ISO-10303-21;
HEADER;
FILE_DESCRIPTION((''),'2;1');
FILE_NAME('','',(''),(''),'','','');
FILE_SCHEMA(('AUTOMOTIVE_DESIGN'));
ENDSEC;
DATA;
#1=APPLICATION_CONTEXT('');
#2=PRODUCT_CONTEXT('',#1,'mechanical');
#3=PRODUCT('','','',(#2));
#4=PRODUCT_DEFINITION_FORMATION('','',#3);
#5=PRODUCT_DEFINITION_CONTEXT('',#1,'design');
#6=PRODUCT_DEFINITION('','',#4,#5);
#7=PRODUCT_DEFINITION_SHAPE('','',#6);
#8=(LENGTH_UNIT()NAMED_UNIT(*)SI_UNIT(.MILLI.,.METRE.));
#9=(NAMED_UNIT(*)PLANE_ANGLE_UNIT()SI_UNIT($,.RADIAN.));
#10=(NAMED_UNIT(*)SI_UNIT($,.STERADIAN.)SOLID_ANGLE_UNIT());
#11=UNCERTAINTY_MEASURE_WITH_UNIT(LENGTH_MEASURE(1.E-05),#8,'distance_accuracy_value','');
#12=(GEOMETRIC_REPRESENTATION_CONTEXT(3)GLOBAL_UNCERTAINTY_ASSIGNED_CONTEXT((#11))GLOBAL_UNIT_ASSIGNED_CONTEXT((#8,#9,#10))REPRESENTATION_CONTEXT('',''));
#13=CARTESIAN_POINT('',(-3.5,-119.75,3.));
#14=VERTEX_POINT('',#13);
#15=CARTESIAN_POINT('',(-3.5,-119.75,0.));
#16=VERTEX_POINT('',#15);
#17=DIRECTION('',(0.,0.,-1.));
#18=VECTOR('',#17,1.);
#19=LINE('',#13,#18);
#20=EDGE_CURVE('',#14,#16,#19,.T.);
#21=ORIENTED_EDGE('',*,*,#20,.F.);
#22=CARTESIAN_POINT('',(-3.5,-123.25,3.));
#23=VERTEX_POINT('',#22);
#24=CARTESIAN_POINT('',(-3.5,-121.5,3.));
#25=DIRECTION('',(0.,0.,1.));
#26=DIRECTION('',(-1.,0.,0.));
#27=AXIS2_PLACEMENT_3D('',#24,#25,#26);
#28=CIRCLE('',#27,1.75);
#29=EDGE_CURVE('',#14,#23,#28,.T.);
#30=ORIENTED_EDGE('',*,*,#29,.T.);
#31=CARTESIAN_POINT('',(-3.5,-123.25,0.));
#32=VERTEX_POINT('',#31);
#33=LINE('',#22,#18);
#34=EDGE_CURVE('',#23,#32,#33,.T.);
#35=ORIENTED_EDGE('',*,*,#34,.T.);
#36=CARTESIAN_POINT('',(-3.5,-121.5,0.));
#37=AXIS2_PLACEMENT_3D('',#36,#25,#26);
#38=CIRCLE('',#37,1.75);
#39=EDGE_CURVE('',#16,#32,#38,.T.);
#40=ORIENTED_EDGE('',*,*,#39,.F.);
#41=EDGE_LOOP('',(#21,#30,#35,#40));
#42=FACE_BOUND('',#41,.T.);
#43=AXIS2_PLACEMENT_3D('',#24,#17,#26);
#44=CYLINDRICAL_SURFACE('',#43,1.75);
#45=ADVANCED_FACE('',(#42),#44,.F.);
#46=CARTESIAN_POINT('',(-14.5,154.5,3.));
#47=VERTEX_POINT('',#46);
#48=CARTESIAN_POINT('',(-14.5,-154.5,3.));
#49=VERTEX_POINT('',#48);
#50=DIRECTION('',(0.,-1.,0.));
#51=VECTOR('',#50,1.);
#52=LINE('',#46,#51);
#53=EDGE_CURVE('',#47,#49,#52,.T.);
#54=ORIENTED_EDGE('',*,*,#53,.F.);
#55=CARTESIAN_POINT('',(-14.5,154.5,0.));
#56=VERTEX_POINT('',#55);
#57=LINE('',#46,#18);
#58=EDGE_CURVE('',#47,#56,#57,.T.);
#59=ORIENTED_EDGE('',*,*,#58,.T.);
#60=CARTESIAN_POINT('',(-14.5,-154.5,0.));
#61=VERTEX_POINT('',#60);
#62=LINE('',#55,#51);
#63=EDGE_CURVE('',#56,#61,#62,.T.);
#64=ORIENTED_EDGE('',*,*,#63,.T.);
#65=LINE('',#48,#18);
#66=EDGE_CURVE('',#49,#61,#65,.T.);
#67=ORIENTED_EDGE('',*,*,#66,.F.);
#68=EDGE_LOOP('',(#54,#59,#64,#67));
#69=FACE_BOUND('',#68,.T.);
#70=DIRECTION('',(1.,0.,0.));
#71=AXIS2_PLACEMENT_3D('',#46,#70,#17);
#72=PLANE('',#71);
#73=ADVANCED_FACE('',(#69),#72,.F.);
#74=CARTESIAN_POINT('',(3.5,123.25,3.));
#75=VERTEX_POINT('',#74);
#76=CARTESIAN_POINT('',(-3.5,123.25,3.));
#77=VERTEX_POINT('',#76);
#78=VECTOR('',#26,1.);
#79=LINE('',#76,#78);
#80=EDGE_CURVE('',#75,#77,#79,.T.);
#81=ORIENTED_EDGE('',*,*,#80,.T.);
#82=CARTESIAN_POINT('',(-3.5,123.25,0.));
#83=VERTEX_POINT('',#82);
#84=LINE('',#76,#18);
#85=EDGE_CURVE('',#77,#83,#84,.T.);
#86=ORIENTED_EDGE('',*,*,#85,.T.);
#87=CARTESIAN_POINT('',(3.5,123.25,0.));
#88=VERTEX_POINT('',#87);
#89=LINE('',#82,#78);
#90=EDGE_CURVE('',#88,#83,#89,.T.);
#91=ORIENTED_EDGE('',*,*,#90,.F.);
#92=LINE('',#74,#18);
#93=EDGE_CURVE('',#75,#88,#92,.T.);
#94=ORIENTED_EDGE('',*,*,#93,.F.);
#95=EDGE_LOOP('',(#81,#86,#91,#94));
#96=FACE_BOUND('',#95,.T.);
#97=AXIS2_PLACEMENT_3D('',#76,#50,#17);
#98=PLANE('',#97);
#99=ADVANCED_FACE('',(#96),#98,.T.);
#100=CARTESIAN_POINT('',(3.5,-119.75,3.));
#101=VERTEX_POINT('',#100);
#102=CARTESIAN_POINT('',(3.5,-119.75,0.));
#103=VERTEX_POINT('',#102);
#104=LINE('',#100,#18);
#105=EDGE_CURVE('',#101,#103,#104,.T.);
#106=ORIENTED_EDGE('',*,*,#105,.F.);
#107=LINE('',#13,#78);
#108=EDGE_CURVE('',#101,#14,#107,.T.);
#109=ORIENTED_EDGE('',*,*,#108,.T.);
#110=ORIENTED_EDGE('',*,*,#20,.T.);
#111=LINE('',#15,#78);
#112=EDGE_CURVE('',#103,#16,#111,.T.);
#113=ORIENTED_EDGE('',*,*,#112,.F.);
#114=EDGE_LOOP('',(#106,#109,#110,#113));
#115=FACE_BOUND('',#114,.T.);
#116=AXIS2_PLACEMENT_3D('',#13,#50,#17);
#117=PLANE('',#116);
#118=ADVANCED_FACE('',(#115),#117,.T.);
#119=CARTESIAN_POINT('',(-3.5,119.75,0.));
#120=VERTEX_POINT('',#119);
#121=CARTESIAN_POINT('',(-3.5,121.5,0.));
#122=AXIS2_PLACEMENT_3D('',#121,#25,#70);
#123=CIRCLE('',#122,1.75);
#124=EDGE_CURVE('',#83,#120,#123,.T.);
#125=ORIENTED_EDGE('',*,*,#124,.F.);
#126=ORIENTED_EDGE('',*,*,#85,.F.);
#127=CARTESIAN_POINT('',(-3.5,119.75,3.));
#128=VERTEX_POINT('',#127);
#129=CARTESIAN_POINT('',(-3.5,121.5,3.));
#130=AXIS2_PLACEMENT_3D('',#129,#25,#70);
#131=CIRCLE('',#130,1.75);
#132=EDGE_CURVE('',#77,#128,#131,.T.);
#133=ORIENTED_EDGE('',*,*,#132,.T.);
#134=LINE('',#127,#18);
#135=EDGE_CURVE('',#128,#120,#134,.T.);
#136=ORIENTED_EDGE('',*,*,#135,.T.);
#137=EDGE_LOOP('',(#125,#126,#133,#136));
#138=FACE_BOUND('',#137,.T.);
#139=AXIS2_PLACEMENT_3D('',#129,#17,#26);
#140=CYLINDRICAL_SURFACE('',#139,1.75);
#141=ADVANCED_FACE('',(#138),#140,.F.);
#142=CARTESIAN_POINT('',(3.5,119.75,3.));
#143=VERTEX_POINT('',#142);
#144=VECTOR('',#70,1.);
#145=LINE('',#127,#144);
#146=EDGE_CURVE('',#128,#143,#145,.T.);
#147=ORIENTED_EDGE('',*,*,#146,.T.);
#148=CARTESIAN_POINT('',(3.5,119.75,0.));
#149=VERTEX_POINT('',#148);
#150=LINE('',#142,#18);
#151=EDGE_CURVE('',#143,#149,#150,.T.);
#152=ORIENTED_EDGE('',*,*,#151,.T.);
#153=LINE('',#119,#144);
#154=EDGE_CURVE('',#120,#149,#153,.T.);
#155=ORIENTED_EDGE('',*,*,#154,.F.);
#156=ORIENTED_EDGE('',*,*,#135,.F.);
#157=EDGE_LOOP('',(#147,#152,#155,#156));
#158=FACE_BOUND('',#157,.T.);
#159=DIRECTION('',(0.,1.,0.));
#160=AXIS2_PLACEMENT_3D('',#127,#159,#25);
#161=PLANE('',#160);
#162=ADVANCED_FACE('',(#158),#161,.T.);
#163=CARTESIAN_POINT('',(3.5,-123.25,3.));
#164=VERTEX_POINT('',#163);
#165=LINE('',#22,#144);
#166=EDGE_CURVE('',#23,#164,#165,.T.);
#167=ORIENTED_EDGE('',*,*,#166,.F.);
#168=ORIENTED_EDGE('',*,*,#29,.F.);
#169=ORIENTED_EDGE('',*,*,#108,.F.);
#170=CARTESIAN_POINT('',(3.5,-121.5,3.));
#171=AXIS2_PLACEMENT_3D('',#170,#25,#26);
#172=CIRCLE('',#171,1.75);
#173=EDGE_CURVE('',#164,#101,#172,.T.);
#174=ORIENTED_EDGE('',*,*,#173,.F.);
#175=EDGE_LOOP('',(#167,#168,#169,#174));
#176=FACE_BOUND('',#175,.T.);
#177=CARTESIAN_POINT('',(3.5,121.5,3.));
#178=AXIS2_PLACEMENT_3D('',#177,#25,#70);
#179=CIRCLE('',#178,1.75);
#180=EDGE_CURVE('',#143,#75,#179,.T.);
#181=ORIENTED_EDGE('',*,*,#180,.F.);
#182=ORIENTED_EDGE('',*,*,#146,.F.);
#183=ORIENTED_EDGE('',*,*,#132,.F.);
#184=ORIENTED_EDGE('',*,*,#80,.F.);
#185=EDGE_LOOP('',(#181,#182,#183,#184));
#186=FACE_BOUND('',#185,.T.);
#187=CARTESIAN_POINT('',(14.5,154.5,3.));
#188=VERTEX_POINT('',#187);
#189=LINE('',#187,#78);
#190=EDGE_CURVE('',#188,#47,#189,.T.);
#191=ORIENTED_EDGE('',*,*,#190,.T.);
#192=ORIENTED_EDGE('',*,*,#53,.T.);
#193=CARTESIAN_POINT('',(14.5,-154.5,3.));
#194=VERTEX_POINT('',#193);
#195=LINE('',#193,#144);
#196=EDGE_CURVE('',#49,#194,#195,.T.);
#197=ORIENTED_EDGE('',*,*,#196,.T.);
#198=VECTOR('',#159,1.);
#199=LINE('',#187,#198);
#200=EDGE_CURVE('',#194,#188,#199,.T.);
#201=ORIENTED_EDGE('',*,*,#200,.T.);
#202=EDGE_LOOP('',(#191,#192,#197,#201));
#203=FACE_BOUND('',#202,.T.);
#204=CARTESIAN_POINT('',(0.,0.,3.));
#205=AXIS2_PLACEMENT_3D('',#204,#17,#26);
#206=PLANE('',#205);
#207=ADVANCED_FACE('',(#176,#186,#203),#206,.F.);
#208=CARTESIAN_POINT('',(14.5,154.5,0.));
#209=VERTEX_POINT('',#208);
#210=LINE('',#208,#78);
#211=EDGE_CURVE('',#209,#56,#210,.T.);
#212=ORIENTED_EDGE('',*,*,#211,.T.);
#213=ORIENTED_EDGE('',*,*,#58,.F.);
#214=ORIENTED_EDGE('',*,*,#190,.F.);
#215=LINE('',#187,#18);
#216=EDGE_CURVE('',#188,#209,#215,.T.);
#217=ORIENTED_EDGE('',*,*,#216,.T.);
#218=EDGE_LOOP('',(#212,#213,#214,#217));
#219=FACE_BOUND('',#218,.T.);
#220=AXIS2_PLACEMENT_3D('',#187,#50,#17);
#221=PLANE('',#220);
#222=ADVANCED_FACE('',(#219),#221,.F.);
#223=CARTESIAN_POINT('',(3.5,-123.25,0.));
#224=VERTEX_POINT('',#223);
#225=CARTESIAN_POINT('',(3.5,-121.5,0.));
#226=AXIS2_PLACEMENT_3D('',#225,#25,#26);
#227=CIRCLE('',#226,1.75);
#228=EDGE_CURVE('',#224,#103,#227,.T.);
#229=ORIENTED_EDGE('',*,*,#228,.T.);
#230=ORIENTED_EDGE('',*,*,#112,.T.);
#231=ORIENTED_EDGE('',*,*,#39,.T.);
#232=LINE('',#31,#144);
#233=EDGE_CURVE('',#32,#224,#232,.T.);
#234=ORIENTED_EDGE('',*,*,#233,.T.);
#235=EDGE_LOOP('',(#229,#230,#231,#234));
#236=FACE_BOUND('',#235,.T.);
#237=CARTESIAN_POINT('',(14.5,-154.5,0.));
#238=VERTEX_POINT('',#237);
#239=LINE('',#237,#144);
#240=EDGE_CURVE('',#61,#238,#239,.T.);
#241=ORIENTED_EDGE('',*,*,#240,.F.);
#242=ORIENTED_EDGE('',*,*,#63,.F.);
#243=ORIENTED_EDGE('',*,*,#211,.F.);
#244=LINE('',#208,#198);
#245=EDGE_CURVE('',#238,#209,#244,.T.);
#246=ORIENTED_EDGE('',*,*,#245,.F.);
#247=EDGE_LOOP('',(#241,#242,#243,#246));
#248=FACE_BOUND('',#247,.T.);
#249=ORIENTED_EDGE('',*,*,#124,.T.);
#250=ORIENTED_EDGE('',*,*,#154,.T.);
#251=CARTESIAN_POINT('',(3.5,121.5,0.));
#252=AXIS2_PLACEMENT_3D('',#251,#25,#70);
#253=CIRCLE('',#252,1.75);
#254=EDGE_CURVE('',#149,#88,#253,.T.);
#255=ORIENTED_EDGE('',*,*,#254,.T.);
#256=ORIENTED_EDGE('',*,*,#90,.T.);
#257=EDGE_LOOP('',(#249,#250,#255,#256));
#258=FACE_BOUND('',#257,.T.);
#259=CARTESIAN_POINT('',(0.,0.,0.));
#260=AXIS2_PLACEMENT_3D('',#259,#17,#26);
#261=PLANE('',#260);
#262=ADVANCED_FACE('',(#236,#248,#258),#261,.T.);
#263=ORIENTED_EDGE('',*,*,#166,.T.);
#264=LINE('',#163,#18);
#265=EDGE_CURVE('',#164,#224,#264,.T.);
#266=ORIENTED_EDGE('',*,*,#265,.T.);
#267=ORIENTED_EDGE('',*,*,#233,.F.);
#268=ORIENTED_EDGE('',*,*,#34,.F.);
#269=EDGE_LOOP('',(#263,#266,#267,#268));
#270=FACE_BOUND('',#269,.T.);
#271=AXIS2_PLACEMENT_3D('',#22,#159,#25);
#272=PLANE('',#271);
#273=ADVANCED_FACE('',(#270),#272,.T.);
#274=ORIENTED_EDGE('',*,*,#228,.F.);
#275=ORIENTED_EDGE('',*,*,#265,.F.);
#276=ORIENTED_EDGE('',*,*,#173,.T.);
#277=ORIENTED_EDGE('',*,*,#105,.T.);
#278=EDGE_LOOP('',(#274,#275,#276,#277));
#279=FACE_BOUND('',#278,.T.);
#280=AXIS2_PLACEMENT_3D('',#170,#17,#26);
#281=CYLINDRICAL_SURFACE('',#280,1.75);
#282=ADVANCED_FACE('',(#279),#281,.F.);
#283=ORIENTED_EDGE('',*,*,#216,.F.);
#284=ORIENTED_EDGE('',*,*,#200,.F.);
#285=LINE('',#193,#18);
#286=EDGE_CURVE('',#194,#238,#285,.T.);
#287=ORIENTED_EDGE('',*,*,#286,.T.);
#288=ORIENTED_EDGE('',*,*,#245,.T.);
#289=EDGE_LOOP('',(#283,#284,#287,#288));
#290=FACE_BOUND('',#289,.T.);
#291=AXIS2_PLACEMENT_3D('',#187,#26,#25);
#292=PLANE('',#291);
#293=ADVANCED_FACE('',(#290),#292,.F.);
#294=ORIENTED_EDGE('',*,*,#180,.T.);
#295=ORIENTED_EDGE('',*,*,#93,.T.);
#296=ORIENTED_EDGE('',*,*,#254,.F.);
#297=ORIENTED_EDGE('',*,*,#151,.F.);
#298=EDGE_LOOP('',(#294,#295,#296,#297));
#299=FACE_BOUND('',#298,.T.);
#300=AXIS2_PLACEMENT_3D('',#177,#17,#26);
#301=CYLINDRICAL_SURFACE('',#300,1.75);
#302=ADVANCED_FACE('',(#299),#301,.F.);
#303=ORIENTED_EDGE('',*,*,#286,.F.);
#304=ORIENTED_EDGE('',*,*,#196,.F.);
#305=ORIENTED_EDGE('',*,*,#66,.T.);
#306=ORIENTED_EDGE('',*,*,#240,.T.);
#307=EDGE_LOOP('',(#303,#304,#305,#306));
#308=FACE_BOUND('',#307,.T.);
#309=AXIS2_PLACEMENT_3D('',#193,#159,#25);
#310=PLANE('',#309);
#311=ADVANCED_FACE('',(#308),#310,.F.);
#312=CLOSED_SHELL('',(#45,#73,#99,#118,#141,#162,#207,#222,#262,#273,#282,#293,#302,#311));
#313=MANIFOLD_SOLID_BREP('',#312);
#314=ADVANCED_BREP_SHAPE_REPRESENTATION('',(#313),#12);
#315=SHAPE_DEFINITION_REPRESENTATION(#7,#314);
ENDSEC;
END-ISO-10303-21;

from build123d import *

# Parameters (mm, degrees)
ESQUISSE1_W        = 29
ESQUISSE1_H        = 309
BOSS_EXTRU_1_DEPTH = 3


with BuildPart() as part:
    # Esquisse1 → Boss.-Extru.1 (new body)
    with BuildSketch(Plane.XY):
        Rectangle(ESQUISSE1_W, ESQUISSE1_H)
        with BuildLine():
            Line((-3.5, 123.25), (3.5, 123.25))
            ThreePointArc((3.5, 123.25), (5.25, 121.5), (3.5, 119.75))
            Line((3.5, 119.75), (-3.5, 119.75))
            ThreePointArc((-3.5, 119.75), (-5.25, 121.5), (-3.5, 123.25))
        make_face(mode=Mode.SUBTRACT)
        with BuildLine():
            Line((-3.5, -123.25), (3.5, -123.25))
            ThreePointArc((3.5, -123.25), (5.25, -121.5), (3.5, -119.75))
            Line((3.5, -119.75), (-3.5, -119.75))
            ThreePointArc((-3.5, -119.75), (-5.25, -121.5), (-3.5, -123.25))
        make_face(mode=Mode.SUBTRACT)
    extrude(amount=BOSS_EXTRU_1_DEPTH)


solid = part.part
